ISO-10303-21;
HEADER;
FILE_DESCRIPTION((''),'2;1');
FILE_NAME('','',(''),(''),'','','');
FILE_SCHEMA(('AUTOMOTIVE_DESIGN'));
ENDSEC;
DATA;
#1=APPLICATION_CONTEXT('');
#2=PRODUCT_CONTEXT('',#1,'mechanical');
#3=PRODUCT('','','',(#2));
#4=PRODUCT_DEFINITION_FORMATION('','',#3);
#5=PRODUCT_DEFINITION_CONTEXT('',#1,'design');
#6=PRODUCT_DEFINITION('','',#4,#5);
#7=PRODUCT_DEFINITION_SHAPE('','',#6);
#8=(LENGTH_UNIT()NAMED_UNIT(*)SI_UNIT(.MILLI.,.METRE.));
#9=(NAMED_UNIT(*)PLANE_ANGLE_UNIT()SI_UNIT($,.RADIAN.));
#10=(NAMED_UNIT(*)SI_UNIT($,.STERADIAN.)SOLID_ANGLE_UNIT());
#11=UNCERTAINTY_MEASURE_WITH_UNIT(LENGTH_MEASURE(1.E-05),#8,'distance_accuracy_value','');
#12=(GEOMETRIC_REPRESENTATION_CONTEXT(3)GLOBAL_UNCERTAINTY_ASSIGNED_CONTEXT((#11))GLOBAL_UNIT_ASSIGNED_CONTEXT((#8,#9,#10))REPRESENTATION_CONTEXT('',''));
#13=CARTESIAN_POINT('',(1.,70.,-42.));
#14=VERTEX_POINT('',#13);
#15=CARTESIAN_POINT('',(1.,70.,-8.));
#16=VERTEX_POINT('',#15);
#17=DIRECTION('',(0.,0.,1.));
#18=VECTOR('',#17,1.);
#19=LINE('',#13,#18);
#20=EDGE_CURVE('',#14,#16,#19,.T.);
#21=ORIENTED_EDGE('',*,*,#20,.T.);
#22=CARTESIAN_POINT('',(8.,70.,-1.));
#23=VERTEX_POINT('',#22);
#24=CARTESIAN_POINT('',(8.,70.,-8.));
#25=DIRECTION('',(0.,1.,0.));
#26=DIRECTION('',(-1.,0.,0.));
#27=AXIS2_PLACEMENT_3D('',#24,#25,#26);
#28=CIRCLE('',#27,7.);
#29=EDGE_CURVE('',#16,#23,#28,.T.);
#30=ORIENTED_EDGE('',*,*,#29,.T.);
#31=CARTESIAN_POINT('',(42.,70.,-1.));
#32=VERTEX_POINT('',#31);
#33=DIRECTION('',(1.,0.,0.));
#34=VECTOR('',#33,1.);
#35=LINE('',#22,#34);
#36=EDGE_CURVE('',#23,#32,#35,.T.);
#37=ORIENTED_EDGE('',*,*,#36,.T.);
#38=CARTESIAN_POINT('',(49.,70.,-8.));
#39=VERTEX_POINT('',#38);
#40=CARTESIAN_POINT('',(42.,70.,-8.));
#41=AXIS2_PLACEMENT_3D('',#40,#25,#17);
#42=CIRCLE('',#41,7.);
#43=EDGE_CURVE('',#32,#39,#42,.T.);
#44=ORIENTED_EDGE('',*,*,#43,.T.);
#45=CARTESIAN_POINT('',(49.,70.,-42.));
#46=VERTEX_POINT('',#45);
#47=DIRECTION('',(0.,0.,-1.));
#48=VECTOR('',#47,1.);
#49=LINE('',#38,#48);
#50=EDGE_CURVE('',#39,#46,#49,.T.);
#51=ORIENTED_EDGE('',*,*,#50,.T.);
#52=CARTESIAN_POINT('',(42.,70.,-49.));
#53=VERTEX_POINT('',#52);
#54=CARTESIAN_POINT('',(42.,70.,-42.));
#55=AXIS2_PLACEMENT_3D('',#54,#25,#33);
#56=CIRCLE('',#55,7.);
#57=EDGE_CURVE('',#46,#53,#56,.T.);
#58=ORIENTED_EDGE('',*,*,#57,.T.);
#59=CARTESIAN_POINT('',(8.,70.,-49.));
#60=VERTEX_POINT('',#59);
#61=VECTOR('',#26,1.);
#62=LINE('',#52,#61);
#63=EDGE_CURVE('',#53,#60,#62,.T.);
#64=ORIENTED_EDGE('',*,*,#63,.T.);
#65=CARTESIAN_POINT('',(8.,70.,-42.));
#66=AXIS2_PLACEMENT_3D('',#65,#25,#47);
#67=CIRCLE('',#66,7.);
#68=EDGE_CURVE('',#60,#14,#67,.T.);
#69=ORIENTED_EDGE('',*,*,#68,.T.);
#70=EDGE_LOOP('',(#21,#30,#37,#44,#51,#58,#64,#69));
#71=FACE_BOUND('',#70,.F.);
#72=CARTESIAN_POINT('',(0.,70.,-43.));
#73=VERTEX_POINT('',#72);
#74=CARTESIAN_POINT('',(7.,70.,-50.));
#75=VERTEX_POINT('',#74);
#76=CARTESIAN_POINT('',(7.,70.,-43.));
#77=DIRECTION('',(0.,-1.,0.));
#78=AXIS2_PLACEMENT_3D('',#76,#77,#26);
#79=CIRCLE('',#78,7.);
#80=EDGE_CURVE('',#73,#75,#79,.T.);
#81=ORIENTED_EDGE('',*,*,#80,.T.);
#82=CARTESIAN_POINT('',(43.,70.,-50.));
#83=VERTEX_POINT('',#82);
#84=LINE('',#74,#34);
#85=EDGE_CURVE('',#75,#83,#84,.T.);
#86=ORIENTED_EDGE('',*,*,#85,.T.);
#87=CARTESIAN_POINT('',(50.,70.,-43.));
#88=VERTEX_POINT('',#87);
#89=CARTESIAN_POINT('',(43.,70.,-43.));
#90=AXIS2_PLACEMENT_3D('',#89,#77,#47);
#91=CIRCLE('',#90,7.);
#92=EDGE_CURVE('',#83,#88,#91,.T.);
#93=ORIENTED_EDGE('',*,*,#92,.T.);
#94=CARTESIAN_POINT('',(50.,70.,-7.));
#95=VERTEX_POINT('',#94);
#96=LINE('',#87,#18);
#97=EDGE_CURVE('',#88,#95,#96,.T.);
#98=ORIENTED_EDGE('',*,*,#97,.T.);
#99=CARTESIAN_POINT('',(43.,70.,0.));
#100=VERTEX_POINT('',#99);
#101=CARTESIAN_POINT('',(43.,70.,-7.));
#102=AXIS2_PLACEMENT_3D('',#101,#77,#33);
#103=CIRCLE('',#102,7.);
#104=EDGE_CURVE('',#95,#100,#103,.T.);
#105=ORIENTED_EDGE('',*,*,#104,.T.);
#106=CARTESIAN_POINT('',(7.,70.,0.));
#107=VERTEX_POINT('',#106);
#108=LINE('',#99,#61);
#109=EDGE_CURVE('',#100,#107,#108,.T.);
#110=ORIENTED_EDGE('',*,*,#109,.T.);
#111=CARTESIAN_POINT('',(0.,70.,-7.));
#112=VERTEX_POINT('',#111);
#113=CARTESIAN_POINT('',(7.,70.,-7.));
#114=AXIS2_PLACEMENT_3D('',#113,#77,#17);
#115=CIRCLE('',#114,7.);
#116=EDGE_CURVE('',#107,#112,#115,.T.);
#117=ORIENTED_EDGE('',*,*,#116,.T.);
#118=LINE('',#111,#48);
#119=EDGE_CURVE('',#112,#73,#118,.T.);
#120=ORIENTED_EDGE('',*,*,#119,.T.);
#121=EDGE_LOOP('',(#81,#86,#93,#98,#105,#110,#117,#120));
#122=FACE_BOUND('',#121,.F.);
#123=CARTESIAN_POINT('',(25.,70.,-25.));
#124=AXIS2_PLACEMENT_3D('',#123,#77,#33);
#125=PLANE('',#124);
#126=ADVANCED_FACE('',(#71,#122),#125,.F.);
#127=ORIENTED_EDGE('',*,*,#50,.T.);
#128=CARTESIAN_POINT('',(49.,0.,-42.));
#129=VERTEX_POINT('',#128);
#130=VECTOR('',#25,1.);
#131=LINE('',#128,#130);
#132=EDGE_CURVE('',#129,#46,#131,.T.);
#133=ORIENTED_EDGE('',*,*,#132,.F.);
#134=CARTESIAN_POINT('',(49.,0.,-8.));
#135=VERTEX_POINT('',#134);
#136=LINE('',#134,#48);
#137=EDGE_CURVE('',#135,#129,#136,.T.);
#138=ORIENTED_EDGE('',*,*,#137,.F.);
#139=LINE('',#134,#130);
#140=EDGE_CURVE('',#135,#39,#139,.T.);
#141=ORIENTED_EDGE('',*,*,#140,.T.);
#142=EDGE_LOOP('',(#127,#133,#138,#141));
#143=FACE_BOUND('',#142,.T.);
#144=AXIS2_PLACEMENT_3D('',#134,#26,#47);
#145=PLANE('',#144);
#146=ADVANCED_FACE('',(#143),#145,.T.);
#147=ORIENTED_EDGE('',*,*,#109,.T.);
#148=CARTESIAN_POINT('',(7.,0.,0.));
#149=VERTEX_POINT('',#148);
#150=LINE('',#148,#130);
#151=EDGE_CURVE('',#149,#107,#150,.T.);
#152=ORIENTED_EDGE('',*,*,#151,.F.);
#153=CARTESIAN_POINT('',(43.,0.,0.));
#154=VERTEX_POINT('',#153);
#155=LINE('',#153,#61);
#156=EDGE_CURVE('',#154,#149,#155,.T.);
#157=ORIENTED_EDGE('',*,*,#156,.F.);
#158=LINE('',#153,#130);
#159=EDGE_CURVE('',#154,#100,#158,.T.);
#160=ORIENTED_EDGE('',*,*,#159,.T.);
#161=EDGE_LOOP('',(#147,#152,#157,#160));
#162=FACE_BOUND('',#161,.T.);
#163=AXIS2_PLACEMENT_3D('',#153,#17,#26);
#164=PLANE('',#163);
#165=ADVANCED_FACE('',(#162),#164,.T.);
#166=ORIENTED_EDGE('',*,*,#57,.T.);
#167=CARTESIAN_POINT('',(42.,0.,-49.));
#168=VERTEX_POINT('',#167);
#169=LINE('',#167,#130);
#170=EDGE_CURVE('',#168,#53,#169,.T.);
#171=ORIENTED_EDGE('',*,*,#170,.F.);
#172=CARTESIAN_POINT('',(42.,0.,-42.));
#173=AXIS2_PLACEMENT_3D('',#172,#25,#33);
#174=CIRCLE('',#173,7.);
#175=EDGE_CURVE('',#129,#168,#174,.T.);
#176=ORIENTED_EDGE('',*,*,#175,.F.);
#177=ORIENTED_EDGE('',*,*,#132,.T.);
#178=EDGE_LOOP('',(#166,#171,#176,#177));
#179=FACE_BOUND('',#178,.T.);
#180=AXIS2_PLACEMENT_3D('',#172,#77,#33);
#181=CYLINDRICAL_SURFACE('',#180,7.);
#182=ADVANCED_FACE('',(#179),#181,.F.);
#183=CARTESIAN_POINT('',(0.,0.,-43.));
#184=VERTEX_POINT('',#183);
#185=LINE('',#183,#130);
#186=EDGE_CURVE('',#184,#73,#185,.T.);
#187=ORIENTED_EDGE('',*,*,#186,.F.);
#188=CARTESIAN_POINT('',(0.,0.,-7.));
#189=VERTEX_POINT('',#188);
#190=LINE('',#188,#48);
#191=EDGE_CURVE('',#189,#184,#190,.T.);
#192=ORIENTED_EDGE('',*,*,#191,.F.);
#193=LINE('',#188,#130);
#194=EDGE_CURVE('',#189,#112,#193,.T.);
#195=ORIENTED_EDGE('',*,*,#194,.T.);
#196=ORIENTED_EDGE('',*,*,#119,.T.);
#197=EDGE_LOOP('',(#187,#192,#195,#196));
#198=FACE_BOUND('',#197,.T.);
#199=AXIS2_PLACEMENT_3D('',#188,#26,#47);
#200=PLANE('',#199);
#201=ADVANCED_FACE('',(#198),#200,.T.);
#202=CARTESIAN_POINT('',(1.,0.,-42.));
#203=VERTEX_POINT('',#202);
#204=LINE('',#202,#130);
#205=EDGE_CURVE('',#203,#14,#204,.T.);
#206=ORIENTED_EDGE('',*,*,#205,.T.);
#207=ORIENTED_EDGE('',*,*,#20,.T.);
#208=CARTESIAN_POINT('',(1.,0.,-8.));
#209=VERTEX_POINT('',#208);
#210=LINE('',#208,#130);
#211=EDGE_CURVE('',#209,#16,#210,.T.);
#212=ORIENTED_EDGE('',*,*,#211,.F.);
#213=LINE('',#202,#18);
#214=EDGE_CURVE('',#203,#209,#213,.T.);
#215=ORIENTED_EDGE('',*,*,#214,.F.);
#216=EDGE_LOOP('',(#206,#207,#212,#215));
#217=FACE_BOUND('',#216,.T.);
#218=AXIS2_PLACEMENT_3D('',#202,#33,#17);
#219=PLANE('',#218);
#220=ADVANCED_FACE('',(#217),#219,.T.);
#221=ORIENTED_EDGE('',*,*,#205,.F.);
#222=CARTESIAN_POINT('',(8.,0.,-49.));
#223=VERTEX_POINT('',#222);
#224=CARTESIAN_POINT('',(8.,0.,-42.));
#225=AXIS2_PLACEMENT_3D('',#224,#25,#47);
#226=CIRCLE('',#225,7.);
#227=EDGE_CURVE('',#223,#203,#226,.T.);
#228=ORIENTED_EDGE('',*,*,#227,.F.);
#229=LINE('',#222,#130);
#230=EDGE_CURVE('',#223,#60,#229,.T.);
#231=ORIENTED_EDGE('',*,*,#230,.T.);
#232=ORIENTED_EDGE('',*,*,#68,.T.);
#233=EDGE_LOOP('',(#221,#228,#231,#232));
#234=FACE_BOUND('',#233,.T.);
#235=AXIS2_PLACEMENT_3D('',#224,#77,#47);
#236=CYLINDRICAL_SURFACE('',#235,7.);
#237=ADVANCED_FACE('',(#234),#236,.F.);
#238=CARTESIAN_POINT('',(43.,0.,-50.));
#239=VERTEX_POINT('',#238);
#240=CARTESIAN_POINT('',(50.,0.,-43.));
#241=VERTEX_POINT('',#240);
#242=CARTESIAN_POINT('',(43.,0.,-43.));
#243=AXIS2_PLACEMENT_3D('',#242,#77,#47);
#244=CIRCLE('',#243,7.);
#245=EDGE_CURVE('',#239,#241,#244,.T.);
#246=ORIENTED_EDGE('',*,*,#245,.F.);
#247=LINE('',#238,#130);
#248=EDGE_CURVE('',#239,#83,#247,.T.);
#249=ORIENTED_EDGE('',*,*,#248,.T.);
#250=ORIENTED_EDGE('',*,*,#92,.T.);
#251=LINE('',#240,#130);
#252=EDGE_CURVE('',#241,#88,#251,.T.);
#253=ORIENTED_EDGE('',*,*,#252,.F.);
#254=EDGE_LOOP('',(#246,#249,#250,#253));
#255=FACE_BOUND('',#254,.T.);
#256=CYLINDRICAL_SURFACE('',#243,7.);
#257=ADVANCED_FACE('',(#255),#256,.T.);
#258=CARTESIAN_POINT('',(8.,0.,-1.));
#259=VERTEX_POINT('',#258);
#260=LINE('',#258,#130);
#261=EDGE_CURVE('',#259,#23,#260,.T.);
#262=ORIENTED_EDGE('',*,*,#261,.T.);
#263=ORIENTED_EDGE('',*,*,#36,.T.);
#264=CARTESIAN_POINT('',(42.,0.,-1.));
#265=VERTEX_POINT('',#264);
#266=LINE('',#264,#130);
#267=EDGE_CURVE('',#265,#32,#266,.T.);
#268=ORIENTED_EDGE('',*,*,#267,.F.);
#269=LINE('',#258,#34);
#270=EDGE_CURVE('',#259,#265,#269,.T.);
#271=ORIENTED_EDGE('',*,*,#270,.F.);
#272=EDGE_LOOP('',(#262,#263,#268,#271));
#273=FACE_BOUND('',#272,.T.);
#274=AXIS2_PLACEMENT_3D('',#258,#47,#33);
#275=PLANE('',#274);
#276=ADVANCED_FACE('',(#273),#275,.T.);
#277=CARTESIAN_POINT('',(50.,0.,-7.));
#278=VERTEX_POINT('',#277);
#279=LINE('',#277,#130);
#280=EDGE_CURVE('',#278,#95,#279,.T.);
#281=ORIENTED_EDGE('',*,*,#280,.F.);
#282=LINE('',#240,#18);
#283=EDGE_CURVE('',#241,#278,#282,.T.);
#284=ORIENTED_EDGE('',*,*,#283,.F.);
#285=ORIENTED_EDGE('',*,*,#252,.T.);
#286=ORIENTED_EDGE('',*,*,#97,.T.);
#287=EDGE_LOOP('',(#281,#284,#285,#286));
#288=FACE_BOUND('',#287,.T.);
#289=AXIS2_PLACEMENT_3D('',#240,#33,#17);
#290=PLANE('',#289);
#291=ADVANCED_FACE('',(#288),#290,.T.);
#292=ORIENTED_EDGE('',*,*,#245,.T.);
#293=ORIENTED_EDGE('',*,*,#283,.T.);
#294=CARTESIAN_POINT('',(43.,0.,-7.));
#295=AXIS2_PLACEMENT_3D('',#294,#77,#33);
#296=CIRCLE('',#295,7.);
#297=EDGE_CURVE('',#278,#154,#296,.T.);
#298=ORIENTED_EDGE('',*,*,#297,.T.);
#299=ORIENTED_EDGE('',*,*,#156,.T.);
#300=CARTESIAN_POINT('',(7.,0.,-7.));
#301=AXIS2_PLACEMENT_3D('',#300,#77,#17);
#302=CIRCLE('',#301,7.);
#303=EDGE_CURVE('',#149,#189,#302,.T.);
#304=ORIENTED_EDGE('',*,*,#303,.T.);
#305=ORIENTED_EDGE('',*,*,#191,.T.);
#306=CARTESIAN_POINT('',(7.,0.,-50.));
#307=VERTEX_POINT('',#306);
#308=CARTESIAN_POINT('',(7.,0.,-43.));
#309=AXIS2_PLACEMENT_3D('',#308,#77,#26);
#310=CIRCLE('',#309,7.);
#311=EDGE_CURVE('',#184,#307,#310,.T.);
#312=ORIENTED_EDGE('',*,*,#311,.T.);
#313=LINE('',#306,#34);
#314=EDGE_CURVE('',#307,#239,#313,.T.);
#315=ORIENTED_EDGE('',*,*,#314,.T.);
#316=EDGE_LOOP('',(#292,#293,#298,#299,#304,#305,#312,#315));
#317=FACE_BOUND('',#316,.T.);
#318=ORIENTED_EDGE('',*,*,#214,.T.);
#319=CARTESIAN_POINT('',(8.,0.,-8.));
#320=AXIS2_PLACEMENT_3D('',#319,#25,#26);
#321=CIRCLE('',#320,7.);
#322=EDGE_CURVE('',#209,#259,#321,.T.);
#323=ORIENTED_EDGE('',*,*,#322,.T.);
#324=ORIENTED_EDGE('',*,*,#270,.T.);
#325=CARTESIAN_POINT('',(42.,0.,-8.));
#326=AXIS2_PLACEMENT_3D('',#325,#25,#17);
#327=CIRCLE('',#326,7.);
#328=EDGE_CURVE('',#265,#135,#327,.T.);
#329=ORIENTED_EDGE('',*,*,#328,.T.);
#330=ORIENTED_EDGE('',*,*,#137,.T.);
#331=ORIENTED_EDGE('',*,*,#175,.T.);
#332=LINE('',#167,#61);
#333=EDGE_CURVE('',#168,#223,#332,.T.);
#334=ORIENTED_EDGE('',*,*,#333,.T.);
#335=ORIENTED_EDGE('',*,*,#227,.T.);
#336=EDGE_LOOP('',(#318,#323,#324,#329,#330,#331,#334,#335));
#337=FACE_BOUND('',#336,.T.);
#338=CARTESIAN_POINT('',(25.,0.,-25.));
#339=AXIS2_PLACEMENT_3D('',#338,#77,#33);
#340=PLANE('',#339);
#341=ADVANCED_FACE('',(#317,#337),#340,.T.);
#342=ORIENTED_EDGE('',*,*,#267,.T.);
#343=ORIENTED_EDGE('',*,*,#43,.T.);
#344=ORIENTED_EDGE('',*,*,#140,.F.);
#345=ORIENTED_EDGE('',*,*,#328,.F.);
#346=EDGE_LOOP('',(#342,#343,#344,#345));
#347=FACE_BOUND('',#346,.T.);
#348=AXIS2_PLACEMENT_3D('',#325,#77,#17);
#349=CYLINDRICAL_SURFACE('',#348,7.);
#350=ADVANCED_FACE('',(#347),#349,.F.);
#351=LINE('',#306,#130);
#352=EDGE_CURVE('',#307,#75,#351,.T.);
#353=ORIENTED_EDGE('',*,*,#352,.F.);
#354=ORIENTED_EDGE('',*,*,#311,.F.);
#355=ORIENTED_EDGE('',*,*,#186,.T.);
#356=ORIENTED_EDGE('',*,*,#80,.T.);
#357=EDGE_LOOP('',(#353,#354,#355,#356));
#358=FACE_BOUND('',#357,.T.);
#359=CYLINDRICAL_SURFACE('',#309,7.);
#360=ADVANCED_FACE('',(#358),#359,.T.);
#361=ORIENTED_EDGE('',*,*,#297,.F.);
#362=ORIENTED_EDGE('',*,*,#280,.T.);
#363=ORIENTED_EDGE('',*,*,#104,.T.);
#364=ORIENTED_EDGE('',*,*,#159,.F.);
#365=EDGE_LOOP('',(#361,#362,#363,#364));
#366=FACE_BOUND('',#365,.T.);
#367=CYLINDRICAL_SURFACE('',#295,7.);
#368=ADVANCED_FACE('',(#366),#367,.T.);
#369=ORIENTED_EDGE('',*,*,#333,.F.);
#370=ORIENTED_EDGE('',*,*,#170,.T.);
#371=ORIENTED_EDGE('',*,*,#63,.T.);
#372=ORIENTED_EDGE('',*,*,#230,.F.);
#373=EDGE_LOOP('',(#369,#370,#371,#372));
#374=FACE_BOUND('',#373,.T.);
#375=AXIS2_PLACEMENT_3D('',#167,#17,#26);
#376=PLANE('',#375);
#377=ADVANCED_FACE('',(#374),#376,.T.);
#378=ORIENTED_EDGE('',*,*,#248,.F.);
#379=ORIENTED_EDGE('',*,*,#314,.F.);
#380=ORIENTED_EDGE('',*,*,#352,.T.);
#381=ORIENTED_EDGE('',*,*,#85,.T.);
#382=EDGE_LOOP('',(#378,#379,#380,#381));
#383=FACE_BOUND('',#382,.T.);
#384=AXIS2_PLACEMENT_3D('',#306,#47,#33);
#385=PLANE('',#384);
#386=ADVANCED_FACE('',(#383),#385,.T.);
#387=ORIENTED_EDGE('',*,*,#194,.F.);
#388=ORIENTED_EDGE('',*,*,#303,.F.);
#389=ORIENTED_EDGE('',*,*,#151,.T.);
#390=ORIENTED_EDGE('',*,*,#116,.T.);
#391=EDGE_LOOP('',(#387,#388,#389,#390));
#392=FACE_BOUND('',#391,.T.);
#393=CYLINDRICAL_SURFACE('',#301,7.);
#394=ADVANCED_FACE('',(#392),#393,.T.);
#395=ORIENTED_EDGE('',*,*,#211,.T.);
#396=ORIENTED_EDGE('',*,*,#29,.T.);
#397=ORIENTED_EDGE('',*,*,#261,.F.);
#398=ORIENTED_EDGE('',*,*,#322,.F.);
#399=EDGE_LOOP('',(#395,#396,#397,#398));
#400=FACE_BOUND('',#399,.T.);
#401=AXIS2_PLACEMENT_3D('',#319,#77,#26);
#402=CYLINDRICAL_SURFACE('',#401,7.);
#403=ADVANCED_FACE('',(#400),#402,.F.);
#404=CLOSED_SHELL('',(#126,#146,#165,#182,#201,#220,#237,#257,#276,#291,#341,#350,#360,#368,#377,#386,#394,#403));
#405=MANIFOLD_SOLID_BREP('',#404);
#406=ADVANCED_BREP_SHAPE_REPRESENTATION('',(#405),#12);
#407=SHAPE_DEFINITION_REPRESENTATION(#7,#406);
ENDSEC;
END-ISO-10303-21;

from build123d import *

# Parameters (mm, degrees)
F1_DEPTH = 70
F2_ANGLE = 90


with BuildPart() as f1:
    # F0 (on Top) → F1 (new body)
    with BuildSketch(Plane.XY):
        with BuildLine():
            Line((43, 0), (7, 0))
            ThreePointArc((7, 0), (2.0502525317, -2.0502525317), (0, -7))
            Line((0, -7), (0, -43))
            ThreePointArc((0, -43), (2.0502525317, -47.9497474683), (7, -50))
            Line((7, -50), (43, -50))
            ThreePointArc((43, -50), (47.9497474683, -47.9497474683), (50, -43))
            Line((50, -43), (50, -7))
            ThreePointArc((50, -7), (47.9497474683, -2.0502525317), (43, 0))
        make_face()
        with BuildLine():
            ThreePointArc((1, -8), (3.0502525317, -3.0502525317), (8, -1))
            Line((8, -1), (42, -1))
            ThreePointArc((42, -1), (46.9497474683, -3.0502525317), (49, -8))
            Line((49, -8), (49, -42))
            ThreePointArc((49, -42), (46.9497474683, -46.9497474683), (42, -49))
            Line((42, -49), (8, -49))
            ThreePointArc((8, -49), (3.0502525317, -46.9497474683), (1, -42))
            Line((1, -42), (1, -8))
        make_face(mode=Mode.SUBTRACT)
    extrude(amount=-F1_DEPTH)


with BuildPart() as f1_1:
    # F2: moved
    add(f1.part.rotate(Axis((25, 0, 0), (1, 0, 0)), F2_ANGLE))


solid = f1_1.part
